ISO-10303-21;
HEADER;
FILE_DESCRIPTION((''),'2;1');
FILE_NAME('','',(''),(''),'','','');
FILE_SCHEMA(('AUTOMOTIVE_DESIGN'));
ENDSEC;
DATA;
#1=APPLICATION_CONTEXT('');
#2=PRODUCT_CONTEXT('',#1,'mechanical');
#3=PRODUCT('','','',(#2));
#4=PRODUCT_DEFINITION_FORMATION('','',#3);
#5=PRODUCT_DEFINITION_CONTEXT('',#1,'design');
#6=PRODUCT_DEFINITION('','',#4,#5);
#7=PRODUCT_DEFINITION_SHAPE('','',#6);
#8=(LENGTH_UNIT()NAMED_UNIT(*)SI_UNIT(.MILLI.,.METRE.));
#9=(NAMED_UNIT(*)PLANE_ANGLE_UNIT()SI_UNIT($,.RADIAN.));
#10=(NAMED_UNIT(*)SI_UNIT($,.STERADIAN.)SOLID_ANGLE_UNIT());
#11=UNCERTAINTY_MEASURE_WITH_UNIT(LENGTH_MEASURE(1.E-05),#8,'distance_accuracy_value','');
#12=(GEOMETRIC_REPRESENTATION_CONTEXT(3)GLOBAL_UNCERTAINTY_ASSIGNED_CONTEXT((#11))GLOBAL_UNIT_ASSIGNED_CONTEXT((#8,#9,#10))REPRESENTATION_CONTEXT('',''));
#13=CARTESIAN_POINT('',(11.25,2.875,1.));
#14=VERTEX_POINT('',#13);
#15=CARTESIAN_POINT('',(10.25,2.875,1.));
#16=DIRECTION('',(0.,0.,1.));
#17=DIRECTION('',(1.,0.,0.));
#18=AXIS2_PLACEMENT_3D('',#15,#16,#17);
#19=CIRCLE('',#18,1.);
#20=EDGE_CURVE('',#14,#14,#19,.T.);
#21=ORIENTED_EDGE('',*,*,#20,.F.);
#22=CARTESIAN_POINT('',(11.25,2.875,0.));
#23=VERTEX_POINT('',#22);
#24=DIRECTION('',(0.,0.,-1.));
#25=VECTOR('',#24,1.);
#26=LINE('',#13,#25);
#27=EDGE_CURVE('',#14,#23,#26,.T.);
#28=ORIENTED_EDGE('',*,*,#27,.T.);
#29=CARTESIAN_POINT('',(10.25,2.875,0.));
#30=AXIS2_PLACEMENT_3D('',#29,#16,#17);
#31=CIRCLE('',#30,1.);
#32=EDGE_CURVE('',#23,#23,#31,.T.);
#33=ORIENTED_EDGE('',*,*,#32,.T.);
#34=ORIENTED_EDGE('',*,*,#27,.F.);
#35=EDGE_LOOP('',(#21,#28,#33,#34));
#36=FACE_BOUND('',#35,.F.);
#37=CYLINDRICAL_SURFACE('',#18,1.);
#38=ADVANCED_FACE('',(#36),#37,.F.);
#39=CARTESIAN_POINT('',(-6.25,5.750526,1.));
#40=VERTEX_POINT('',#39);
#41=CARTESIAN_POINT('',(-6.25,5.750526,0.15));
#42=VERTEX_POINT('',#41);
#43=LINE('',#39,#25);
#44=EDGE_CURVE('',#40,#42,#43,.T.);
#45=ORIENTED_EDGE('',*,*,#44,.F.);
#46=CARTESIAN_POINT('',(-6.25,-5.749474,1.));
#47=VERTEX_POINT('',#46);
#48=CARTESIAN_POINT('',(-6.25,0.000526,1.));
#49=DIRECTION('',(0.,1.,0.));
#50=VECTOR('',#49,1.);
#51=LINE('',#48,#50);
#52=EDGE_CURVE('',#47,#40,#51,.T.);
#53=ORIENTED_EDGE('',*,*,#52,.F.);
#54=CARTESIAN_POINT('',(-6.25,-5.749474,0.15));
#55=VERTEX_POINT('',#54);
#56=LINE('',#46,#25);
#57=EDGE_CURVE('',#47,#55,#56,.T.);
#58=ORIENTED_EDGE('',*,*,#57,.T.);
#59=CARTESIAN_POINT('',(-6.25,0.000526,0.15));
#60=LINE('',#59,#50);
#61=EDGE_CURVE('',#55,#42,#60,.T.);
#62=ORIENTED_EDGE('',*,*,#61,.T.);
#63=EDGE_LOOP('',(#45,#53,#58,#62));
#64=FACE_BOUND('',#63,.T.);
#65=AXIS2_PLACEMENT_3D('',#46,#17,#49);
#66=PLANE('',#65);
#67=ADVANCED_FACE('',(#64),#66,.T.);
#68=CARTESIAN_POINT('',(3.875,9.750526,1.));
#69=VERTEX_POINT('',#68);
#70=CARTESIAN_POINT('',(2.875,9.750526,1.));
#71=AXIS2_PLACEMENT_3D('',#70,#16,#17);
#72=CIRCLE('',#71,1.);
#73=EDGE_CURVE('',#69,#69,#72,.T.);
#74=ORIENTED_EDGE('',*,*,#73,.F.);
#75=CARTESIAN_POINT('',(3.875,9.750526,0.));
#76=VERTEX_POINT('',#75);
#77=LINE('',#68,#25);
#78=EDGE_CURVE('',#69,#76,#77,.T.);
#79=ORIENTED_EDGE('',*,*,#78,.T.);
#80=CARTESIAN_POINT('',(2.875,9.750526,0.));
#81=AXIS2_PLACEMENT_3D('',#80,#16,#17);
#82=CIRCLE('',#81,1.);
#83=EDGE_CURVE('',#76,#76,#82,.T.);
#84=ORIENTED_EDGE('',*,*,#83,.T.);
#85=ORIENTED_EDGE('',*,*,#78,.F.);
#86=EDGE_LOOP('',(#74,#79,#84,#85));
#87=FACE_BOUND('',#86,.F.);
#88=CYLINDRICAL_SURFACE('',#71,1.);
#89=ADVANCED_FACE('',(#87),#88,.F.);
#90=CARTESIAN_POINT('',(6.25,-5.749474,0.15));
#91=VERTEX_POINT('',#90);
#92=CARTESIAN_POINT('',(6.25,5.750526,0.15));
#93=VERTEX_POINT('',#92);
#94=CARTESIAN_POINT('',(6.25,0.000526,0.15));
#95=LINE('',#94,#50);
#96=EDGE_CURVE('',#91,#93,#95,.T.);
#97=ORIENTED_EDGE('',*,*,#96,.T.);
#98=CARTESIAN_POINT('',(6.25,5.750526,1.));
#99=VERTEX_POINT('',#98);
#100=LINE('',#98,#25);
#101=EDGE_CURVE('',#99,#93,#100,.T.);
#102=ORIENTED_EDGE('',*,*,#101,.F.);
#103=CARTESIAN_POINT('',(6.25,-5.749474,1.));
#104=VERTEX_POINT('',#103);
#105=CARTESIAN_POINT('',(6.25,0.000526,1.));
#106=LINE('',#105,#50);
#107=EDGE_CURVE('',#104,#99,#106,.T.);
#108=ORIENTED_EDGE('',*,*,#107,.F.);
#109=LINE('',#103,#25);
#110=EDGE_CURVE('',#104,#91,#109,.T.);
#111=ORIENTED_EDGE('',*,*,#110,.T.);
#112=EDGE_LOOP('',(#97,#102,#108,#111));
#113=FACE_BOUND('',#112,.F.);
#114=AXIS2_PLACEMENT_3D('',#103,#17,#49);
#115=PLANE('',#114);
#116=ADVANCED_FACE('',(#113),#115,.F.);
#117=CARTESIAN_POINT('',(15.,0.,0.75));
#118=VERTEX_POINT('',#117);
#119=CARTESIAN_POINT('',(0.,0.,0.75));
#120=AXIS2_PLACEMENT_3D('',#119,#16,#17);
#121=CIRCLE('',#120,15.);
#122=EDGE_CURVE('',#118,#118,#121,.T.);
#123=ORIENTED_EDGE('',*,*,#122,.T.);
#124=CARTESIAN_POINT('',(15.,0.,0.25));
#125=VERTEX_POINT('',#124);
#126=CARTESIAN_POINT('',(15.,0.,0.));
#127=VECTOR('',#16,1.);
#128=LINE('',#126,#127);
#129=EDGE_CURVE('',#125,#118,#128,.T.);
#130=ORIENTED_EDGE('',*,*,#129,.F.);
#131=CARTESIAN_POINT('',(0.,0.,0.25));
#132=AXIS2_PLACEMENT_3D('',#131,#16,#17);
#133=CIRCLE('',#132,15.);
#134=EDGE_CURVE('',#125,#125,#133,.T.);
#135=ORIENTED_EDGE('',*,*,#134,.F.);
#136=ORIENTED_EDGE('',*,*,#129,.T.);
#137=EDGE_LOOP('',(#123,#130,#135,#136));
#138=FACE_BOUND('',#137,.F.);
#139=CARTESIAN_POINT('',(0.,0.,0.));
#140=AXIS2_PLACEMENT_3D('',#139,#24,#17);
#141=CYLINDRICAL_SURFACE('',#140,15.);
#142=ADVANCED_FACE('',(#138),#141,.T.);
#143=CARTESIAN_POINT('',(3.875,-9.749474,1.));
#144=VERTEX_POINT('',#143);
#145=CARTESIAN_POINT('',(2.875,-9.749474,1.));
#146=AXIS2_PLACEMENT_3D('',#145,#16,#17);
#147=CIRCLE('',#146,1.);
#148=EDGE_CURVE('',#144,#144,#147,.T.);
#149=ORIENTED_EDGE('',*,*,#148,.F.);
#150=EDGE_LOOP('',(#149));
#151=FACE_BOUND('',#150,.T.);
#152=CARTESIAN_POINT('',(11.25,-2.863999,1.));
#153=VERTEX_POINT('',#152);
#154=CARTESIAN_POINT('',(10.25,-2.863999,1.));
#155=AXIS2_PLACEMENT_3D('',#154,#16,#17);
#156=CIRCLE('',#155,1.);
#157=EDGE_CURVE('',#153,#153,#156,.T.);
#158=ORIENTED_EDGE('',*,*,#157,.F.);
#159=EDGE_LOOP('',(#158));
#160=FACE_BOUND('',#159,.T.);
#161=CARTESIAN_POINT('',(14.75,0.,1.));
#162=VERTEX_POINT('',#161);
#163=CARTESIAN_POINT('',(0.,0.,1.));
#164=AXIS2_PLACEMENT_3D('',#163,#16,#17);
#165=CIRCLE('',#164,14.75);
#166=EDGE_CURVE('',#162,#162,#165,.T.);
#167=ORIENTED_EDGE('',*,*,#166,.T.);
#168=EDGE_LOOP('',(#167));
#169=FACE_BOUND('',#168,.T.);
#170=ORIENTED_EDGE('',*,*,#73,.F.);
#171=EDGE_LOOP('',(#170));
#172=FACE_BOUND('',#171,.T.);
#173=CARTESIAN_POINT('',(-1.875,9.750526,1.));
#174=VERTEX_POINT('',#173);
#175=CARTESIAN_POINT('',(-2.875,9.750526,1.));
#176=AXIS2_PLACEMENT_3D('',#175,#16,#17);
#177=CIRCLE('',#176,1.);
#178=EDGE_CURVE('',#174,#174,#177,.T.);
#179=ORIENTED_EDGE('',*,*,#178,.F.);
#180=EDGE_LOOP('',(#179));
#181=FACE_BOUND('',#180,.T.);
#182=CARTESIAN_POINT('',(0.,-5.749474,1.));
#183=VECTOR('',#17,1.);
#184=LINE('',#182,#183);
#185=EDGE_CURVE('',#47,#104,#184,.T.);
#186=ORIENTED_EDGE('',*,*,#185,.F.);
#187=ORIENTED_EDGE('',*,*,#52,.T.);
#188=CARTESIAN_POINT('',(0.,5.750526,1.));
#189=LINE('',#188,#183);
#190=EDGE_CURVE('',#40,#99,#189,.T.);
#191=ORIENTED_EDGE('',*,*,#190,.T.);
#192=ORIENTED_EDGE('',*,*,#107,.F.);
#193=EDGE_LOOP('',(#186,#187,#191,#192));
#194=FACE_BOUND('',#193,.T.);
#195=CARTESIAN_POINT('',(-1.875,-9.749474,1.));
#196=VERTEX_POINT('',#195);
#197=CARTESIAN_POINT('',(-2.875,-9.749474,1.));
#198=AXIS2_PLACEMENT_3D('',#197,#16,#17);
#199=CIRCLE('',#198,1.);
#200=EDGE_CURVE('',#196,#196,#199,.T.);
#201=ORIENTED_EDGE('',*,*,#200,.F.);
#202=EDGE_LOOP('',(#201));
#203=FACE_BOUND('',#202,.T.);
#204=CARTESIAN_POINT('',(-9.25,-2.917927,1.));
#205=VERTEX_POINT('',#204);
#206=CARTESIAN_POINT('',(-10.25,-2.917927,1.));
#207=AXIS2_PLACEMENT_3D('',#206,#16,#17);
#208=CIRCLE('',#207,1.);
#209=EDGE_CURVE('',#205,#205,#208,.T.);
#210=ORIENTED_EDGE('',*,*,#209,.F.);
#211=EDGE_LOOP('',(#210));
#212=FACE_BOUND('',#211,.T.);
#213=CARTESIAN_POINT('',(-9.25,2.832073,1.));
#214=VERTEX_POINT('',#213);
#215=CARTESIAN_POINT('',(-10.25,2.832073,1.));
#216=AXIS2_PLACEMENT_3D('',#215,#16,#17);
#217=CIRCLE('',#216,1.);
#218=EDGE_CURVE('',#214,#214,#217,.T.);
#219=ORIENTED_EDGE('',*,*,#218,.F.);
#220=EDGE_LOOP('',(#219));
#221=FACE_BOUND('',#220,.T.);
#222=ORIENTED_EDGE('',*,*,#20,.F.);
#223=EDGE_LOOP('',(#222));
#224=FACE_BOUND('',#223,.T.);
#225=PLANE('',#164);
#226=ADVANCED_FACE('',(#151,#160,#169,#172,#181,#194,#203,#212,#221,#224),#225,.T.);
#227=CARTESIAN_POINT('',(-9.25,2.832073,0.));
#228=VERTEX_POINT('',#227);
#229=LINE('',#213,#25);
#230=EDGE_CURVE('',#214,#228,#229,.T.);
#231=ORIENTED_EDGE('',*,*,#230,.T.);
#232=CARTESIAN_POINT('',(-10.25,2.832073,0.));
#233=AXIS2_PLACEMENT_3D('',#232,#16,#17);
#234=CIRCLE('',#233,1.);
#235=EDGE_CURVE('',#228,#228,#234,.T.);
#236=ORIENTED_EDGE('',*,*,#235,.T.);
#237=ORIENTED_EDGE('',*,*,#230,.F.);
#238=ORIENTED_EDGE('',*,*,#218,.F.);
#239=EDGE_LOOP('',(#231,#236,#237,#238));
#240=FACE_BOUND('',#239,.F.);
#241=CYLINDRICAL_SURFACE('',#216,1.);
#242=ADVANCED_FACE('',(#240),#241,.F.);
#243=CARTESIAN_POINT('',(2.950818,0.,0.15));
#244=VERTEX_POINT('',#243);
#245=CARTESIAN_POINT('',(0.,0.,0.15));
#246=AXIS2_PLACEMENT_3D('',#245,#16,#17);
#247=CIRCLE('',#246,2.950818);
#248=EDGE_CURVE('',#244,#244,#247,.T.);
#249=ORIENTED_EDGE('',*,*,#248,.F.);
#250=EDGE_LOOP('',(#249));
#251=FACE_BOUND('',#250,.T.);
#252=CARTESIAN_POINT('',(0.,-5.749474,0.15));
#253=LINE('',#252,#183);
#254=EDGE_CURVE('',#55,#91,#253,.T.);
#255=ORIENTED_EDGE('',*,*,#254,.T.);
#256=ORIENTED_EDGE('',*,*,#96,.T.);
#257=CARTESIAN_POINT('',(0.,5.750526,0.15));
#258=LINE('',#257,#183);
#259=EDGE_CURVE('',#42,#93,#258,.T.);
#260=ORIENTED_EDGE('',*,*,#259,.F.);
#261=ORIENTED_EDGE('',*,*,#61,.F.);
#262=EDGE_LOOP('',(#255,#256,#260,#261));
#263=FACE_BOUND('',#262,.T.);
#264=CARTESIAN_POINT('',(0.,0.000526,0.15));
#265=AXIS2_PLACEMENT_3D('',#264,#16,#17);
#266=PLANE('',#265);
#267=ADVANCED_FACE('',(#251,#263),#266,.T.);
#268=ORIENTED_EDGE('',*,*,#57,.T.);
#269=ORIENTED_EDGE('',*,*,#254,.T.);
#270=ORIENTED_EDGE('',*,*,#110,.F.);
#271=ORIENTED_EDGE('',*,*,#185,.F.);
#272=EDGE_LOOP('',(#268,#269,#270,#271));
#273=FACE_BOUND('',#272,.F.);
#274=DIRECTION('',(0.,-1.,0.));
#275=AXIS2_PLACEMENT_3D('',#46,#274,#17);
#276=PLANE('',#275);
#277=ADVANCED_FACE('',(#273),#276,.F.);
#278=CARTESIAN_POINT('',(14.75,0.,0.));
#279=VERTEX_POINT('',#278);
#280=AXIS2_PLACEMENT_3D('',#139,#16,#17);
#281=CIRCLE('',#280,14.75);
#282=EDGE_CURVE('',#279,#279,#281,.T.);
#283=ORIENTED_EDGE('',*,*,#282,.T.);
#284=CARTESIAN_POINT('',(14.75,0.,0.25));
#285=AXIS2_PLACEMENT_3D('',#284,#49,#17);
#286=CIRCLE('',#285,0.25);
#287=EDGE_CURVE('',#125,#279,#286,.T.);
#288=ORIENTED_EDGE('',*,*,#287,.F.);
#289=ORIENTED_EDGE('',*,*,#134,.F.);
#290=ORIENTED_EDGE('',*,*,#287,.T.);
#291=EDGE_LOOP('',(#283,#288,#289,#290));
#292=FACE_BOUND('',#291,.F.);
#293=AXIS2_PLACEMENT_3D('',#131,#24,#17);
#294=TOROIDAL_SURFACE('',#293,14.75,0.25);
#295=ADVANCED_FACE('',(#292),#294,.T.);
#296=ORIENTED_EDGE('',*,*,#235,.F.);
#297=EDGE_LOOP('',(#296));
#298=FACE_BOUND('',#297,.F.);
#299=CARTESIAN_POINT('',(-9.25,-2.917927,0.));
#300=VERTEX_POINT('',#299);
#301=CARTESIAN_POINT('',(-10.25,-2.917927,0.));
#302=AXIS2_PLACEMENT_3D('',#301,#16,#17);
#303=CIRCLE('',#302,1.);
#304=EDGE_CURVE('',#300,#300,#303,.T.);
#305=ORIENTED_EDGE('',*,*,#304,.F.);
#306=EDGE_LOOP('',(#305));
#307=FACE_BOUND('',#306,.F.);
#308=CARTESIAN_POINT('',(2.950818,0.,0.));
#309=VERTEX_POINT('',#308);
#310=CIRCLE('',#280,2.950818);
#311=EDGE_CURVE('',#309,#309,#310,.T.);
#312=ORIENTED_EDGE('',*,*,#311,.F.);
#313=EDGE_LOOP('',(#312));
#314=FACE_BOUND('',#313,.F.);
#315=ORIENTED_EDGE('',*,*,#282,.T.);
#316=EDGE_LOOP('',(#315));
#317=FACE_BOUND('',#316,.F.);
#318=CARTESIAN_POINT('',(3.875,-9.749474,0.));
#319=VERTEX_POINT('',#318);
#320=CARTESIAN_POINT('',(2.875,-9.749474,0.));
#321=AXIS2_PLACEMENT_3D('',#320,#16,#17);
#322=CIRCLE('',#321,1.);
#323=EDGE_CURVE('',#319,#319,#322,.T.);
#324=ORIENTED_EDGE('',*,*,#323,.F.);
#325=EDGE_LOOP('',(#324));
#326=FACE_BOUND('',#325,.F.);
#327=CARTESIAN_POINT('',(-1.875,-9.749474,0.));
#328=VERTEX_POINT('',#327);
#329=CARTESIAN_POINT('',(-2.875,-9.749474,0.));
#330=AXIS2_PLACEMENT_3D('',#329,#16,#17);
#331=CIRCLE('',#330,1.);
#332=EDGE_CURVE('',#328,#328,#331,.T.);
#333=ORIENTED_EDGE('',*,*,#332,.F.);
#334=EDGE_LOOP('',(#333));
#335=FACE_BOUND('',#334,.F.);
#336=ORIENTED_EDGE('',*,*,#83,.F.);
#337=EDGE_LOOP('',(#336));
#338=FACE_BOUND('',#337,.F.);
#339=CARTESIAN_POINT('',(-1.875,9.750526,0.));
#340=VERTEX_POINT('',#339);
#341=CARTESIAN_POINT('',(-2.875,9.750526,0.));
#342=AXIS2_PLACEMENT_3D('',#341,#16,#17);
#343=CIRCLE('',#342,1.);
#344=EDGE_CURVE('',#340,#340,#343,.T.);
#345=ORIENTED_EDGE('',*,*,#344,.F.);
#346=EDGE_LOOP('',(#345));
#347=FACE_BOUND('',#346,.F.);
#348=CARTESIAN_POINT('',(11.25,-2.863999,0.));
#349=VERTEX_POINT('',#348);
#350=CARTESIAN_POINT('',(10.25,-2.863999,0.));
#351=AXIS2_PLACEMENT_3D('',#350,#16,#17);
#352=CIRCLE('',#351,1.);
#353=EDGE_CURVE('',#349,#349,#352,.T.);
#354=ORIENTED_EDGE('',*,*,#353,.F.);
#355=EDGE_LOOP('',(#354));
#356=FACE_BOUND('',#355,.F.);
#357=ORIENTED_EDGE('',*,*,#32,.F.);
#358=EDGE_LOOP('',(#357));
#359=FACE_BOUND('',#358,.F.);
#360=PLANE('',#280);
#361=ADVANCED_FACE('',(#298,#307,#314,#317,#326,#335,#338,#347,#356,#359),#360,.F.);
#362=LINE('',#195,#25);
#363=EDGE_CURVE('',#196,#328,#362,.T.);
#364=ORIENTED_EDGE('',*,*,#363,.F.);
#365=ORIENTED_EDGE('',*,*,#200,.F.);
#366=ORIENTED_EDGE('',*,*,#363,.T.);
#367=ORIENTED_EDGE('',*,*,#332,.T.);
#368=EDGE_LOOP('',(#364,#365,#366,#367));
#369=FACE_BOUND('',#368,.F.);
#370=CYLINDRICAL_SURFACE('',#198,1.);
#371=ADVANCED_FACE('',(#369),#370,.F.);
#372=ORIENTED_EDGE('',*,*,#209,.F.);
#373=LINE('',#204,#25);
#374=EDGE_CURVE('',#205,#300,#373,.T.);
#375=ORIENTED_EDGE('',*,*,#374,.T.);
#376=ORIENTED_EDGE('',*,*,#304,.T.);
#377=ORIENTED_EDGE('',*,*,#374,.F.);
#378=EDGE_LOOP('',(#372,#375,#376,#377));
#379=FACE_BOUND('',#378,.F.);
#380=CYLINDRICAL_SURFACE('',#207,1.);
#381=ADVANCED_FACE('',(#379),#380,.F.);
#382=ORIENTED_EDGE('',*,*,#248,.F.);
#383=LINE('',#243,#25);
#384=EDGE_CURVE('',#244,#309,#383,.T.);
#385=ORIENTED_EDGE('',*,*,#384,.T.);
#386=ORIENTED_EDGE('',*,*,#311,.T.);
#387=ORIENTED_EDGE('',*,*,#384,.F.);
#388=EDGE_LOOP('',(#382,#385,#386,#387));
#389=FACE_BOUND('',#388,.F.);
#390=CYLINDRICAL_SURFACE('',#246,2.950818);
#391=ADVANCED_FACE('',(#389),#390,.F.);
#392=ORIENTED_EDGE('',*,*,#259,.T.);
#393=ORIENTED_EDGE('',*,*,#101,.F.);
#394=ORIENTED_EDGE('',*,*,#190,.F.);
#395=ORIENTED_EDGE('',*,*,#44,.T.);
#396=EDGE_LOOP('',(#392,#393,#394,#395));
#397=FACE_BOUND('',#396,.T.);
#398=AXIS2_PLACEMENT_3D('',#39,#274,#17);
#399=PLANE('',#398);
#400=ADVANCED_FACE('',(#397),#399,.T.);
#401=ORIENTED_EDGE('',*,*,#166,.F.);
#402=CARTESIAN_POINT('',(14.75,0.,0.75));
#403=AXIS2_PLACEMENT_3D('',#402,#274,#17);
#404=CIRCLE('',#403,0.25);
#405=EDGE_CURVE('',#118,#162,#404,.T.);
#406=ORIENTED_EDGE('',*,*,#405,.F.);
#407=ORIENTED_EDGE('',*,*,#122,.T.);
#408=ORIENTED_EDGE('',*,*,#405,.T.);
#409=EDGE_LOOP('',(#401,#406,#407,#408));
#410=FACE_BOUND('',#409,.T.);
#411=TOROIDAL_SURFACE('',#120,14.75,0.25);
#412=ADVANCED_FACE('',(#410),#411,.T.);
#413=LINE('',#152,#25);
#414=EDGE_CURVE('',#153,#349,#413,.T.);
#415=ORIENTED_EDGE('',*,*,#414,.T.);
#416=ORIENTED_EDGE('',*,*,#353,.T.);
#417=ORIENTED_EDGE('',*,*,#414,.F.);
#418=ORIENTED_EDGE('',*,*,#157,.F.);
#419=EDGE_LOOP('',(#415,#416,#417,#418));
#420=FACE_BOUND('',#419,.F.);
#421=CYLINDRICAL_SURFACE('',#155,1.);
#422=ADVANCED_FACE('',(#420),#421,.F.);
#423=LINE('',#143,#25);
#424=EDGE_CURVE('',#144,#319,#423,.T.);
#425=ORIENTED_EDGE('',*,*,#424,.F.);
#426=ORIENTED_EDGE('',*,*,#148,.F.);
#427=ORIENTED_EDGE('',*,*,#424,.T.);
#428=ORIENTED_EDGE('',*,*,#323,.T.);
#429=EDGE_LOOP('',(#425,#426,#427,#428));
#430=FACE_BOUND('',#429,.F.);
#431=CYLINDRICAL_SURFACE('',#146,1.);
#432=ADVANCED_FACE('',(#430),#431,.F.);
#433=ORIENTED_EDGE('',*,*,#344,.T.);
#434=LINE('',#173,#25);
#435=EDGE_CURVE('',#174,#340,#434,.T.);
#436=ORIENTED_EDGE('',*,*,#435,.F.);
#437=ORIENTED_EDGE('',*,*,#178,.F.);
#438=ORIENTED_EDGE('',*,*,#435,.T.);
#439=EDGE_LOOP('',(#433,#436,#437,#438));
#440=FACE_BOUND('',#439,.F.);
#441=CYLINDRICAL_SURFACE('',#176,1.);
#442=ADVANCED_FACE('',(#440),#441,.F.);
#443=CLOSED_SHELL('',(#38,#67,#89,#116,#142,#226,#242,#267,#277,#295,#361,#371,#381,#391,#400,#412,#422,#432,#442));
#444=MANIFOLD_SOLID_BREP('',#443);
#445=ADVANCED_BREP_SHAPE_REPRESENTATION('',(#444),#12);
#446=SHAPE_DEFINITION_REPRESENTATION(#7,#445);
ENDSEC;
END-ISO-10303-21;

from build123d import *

# Parameters (mm, degrees)
F0_R     = 15
F1_DEPTH = 1
F2_W     = 12.5
F2_H     = 11.5
F3_DEPTH = 0.85
F5_R     = 2.950818
F6_DEPTH = 0.15
F7_R     = 0.25
F8_R     = 1
F9_DEPTH = 1


with BuildPart() as f1:
    # F0 (on Top) → F1 (new body)
    with BuildSketch(Plane.XY):
        Circle(F0_R)
    extrude(amount=F1_DEPTH)

    # F2 (on face) → F3 (cut)
    with BuildSketch(Plane.XY.offset(1)):
        with Locations((0, 0.000526)):
            Rectangle(F2_W, F2_H)
    extrude(amount=-F3_DEPTH, mode=Mode.SUBTRACT)

    # F5 (on offset) → F6 (cut)
    with BuildSketch(Plane.XY.offset(0.15)):
        Circle(F5_R)
    extrude(amount=-F6_DEPTH, mode=Mode.SUBTRACT)

    # F7
    f7_edges = [f1.edges().sort_by_distance(p)[0] for p in [
        (-15, 0, 1),
        (-15, 0, 0),
    ]]
    fillet(f7_edges, radius=F7_R)

    # F8 (on face) → F9 (cut)
    with BuildSketch(Plane.XY.offset(1)):
        with Locations((-10.25, 2.832073)):
            Circle(F8_R)
        with Locations((-10.25, -2.917927)):
            Circle(F8_R)
        with Locations((-2.875, 9.750526)):
            Circle(F8_R)
        with Locations((2.875, 9.750526)):
            Circle(F8_R)
        with Locations((10.25, 2.875)):
            Circle(F8_R)
        with Locations((10.25, -2.863999)):
            Circle(F8_R)
        with Locations((2.875, -9.749474)):
            Circle(F8_R)
        with Locations((-2.875, -9.749474)):
            Circle(F8_R)
    extrude(amount=-F9_DEPTH, mode=Mode.SUBTRACT)


solid = f1.part
